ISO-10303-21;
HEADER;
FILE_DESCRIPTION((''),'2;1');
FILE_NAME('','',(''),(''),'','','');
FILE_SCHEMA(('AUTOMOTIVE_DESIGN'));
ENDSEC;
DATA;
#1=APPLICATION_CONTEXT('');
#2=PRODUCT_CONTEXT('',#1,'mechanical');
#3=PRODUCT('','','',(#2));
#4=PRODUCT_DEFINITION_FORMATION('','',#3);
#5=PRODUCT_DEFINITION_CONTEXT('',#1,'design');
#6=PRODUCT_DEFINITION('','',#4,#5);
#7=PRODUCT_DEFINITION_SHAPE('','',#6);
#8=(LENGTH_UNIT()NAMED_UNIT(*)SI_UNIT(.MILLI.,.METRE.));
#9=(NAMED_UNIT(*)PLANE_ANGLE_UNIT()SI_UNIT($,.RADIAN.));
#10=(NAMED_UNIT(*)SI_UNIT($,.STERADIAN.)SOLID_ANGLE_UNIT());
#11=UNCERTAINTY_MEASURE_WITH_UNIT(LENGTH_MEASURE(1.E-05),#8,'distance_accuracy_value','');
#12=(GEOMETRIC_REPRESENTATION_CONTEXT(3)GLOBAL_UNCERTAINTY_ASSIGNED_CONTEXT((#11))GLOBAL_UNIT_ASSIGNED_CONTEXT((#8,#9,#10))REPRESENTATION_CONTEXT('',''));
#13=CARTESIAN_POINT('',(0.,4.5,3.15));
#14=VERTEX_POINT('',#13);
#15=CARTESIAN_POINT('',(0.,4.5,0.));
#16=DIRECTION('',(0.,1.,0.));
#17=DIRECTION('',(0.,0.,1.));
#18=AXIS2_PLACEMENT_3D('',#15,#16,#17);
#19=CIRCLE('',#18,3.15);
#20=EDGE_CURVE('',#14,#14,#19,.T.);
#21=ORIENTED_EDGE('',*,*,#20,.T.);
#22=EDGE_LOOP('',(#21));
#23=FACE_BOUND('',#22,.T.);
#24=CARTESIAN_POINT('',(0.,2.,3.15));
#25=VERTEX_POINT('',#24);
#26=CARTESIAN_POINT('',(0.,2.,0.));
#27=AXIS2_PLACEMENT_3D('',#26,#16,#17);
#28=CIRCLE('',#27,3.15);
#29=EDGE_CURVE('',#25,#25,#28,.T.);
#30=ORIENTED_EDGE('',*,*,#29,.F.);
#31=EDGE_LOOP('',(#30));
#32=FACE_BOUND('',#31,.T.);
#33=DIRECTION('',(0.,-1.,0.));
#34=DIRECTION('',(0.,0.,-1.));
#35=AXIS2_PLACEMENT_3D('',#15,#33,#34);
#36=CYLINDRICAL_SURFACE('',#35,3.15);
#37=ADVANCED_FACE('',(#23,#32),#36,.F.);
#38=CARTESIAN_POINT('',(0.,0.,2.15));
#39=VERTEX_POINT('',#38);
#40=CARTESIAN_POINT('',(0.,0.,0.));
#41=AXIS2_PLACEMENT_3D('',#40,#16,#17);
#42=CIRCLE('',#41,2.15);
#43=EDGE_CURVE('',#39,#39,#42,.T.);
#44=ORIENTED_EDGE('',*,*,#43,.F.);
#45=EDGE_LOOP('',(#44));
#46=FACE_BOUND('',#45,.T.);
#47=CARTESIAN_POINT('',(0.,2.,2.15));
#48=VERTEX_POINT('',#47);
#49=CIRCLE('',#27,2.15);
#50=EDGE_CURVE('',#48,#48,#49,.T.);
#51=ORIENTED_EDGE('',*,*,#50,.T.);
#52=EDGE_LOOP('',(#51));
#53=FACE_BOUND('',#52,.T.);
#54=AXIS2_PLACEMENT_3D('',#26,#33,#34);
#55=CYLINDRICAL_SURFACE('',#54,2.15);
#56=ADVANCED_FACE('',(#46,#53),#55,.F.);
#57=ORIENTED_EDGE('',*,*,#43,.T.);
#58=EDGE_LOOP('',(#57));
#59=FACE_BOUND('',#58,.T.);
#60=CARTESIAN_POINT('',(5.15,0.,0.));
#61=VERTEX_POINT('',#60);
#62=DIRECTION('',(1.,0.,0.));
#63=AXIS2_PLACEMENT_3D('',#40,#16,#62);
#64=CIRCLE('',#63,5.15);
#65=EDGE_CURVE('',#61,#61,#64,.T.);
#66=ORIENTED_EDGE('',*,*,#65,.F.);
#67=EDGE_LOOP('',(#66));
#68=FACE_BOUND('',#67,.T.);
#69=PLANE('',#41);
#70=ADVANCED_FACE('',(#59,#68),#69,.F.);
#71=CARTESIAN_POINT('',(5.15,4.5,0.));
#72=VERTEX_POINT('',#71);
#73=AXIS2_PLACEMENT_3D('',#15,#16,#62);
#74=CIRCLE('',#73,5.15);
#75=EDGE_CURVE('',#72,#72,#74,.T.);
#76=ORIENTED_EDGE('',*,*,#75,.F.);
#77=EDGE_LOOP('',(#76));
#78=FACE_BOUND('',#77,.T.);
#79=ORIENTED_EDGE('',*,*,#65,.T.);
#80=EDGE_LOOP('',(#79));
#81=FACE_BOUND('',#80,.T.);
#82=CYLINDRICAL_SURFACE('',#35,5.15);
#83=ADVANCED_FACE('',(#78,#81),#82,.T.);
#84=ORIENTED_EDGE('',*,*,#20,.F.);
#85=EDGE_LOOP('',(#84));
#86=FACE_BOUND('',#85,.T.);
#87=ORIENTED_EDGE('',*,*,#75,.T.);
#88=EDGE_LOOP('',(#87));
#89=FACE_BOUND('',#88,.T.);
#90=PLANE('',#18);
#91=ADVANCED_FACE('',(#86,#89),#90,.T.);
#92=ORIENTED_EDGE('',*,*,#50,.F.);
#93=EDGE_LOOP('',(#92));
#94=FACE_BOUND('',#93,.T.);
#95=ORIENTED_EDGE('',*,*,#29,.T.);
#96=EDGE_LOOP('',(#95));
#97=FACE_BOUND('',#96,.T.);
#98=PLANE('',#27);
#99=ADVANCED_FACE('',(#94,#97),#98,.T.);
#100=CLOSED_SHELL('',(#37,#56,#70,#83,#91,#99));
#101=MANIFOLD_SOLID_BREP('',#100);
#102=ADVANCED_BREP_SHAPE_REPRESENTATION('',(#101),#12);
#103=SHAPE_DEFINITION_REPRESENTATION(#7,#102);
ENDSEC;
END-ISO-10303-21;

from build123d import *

# Parameters (mm, degrees)
SKETCH1_R           = 5.15
SKETCH1_R_2         = 3.15
EXTRUDE_THIN1_DEPTH = 4.5
SKETCH2_R           = 3.15
SKETCH2_R_2         = 2.15
BOSS_EXTRUDE1_DEPTH = 2


with BuildPart() as part:
    # Sketch1 → Extrude-Thin1 (new body)
    with BuildSketch(Plane(origin=(0, 0, 0), x_dir=(1, 0, 0), z_dir=(0, 1, 0))):
        Circle(SKETCH1_R)
        Circle(SKETCH1_R_2, mode=Mode.SUBTRACT)
    extrude(amount=EXTRUDE_THIN1_DEPTH)

    # Sketch2 → Boss-Extrude1 (add)
    with BuildSketch(Plane(origin=(0, 0, 0), x_dir=(1, 0, 0), z_dir=(0, 1, 0))):
        Circle(SKETCH2_R)
        Circle(SKETCH2_R_2, mode=Mode.SUBTRACT)
    extrude(amount=BOSS_EXTRUDE1_DEPTH)


solid = part.part
